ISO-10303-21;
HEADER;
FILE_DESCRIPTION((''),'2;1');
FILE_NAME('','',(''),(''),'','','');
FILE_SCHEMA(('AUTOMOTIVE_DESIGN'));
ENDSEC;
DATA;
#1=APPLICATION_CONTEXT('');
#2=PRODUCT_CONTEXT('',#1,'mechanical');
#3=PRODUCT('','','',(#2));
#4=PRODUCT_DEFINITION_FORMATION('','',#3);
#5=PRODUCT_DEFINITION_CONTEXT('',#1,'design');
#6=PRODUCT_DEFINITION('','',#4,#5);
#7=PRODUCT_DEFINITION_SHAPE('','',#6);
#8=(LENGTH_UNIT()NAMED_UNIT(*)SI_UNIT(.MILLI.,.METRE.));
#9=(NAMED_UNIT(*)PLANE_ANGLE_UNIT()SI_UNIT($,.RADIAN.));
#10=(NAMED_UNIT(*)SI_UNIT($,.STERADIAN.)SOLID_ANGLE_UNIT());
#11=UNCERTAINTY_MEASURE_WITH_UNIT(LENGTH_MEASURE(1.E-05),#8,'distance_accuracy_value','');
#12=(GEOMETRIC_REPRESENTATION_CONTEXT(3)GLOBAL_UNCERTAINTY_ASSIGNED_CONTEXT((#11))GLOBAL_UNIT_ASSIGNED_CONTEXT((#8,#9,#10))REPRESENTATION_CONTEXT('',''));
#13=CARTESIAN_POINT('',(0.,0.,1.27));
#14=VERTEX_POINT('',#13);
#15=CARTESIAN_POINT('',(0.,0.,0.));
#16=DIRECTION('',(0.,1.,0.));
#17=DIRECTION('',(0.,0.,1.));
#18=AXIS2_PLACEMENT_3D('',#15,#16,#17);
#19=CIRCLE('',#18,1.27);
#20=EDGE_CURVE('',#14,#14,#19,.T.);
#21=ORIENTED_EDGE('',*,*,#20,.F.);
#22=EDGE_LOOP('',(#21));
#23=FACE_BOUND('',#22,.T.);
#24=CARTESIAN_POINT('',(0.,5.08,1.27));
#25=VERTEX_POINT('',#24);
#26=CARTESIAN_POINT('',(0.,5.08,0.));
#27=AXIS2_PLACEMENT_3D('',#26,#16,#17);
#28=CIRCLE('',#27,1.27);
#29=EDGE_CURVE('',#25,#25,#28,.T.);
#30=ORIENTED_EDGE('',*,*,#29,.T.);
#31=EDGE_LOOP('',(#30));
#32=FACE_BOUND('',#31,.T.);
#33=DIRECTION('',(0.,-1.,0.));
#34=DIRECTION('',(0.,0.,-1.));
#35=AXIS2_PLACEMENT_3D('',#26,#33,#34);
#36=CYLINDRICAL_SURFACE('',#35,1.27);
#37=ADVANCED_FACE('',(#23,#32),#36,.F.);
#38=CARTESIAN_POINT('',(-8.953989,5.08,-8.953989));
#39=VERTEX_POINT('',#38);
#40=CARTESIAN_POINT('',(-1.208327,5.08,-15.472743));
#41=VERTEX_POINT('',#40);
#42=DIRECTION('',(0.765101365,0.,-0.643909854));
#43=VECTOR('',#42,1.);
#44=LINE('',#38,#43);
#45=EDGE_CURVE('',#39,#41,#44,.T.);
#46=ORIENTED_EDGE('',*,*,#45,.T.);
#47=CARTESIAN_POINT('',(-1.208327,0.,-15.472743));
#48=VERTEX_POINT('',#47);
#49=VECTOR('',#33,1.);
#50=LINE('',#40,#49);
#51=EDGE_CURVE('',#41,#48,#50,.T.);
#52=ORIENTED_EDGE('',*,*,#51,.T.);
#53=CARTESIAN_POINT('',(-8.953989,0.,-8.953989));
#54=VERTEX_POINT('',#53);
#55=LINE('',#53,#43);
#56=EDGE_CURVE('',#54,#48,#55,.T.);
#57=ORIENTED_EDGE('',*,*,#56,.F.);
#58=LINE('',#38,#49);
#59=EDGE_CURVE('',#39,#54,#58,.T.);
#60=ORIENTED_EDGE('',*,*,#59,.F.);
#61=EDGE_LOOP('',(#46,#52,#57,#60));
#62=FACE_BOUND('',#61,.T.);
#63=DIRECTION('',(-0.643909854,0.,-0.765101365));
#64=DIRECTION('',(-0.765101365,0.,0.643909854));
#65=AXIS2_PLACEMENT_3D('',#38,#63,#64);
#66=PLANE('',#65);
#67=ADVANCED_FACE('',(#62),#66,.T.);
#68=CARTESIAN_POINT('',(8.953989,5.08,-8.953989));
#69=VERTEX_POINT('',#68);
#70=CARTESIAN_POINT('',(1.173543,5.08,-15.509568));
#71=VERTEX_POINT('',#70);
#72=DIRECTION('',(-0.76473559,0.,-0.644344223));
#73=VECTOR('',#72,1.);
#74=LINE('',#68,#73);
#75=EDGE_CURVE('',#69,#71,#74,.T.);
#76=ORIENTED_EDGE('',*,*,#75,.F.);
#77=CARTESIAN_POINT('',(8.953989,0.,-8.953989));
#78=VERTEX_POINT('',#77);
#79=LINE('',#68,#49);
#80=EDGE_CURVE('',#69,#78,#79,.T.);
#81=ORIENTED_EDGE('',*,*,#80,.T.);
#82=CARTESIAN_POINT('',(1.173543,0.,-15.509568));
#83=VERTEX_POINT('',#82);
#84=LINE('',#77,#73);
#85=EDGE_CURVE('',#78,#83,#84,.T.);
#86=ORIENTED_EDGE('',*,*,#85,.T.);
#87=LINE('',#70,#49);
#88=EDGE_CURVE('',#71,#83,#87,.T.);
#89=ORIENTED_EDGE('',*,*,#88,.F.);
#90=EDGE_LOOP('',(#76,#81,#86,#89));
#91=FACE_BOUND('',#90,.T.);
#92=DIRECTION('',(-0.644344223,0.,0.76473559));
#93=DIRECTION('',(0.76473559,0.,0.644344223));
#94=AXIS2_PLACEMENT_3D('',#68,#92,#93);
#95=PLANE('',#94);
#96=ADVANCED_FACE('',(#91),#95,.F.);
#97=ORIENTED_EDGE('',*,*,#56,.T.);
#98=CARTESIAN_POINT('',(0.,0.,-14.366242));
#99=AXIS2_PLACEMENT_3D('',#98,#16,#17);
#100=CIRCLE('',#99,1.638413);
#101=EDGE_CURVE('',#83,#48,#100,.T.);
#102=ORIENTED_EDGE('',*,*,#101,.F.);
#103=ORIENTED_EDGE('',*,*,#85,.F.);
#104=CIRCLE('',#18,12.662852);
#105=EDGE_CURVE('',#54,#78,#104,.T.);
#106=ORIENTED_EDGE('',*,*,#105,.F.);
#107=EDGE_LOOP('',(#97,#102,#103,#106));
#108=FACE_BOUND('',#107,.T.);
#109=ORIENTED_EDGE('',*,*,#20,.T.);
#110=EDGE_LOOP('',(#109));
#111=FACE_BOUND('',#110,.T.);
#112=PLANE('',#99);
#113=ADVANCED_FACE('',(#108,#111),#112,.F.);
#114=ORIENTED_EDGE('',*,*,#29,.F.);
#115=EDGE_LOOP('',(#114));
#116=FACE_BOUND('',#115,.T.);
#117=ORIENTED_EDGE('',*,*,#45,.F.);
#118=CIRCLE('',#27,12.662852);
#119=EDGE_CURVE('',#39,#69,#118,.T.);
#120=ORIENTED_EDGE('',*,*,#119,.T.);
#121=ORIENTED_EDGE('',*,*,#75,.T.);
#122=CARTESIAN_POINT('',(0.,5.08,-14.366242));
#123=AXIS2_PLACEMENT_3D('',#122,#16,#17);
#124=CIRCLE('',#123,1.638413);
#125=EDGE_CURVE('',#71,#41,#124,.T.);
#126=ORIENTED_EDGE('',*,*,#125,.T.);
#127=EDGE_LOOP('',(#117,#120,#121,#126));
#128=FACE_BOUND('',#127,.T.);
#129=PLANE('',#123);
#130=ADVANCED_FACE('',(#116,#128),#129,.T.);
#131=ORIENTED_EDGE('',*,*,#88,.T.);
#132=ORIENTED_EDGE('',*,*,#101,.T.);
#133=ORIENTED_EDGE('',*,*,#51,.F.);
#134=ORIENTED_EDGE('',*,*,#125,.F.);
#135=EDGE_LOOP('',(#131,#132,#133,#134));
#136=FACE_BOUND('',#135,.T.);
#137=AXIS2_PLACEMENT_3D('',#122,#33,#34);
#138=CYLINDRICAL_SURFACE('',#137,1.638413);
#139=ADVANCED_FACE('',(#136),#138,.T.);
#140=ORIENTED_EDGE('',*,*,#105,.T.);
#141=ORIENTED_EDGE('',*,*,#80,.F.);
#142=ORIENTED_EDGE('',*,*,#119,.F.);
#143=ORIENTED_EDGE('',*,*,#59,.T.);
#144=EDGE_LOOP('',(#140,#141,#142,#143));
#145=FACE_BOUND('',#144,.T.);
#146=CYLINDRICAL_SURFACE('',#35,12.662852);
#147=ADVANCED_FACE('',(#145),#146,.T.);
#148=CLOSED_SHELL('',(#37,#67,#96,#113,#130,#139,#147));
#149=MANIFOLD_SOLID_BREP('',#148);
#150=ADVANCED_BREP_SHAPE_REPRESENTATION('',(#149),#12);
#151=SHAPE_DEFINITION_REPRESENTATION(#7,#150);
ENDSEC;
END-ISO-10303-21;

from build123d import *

# Parameters (mm, degrees)
SKETCH1_R           = 1.27
BOSS_EXTRUDE2_DEPTH = 5.08


with BuildPart() as part:
    # Sketch1 → Boss-Extrude2 (new body)
    with BuildSketch(Plane(origin=(0, 0, 0), x_dir=(1, 0, 0), z_dir=(0, 1, 0))):
        with BuildLine():
            Line((-8.953988524, 8.953988524), (-1.208326736, 15.472743004))
            ThreePointArc((-1.208326736, 15.472743004), (-0.025328041, 16.00445947), (1.173542757, 15.50956845))
            Line((1.173542757, 15.50956845), (8.953988524, 8.953988524))
            ThreePointArc((8.953988524, 8.953988524), (0, -12.662852008), (-8.953988524, 8.953988524))
        make_face()
        Circle(SKETCH1_R, mode=Mode.SUBTRACT)
    extrude(amount=BOSS_EXTRUDE2_DEPTH)


solid = part.part
